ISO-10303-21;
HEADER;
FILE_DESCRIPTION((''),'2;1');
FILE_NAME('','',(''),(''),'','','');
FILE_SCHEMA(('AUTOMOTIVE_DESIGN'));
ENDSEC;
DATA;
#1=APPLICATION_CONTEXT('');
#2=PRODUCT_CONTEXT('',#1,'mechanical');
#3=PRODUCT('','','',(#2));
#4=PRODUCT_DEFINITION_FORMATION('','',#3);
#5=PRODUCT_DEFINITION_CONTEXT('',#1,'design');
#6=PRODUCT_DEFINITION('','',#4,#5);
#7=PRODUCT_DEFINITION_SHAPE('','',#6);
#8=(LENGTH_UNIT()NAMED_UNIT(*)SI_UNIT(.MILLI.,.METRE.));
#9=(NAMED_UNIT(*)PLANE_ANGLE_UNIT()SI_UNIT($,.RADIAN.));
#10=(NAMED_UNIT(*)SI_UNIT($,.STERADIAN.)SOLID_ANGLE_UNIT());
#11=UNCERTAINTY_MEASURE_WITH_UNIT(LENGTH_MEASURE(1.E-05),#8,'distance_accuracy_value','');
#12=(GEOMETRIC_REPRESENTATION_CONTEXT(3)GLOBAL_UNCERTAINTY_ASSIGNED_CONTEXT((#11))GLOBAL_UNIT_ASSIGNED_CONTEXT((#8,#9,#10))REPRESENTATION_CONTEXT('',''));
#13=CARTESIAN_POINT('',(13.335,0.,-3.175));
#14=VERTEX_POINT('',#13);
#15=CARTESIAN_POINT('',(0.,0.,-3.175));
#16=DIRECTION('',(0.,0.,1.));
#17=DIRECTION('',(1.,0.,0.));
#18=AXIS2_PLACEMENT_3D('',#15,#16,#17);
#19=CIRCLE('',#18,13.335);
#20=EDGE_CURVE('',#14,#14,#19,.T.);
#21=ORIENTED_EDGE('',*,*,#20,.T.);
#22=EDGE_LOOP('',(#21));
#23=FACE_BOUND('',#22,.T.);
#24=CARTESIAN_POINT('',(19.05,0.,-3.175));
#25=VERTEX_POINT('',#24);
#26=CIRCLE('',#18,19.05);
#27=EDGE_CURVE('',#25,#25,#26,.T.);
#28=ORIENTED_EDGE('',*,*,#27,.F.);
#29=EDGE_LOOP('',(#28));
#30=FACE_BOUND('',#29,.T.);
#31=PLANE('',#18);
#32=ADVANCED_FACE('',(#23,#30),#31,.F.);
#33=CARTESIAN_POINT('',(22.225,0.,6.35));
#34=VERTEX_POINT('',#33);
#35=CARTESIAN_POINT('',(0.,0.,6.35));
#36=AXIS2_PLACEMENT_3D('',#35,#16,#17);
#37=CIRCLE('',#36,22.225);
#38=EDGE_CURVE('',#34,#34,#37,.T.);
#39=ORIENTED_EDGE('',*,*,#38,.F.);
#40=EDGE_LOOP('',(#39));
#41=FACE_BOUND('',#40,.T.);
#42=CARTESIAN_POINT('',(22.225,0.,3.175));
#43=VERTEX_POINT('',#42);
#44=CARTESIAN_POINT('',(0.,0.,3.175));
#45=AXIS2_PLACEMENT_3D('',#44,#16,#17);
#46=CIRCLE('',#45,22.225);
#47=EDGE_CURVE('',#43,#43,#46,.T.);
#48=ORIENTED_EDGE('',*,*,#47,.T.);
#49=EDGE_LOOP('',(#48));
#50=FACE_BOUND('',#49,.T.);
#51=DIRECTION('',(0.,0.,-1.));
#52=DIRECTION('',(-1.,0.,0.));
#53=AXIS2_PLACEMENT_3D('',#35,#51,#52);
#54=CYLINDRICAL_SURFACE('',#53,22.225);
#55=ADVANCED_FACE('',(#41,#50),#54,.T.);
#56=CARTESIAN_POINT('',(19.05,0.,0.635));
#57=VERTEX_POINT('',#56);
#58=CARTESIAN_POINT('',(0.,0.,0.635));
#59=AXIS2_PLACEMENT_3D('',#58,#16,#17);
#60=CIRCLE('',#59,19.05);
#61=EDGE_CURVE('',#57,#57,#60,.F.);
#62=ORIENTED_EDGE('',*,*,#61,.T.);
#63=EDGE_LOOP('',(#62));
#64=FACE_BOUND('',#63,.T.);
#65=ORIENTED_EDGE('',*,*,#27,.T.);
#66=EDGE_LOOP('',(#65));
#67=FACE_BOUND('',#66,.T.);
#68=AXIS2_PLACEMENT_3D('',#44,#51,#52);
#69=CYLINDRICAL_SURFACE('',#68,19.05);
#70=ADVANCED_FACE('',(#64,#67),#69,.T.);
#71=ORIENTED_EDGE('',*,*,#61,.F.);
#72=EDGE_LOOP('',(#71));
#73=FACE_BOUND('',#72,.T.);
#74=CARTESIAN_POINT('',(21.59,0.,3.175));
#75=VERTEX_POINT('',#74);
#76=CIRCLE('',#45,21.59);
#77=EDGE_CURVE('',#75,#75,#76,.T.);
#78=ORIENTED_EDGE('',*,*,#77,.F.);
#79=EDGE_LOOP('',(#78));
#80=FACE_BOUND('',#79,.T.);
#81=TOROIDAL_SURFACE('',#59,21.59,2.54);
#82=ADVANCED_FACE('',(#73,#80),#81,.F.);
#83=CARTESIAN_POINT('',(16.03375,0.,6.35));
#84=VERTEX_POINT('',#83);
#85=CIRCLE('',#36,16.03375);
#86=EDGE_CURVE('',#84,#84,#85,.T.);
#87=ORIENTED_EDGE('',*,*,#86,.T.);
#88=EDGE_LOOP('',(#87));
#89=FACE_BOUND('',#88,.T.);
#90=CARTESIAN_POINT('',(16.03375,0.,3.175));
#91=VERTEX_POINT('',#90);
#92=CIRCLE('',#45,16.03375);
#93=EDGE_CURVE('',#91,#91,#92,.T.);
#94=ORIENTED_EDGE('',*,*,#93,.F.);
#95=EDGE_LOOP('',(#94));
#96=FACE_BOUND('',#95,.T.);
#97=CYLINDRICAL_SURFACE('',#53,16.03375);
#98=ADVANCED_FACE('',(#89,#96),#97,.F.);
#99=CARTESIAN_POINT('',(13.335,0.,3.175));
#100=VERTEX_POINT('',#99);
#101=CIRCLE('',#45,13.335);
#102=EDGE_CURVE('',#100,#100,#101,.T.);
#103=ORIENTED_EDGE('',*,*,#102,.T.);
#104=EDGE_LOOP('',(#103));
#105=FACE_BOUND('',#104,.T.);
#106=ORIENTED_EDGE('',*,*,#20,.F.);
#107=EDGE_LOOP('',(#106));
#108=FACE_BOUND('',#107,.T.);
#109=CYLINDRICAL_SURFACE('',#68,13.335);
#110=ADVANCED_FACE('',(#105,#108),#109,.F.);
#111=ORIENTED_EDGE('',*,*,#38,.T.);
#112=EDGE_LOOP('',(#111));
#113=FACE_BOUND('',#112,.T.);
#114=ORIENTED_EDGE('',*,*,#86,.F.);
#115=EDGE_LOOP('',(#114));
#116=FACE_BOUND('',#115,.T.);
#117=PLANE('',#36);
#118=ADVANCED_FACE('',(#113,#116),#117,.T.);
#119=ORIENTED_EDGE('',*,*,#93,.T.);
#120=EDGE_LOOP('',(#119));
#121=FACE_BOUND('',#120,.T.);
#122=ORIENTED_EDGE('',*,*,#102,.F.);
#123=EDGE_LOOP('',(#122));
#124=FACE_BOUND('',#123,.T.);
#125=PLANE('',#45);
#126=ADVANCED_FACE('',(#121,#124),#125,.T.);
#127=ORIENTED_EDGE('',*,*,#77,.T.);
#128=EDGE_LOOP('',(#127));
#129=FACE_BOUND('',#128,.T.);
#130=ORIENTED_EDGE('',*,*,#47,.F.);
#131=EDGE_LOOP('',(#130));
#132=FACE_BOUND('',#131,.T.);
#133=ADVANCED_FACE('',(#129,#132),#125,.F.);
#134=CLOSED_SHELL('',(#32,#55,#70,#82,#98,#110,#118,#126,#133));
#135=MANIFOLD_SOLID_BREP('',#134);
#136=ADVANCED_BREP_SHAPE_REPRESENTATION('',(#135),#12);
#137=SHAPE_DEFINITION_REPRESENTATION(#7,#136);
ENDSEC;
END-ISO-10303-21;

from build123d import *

# Parameters (mm, degrees)
SKETCH1_R           = 19.05
SKETCH1_R_2         = 13.335
BOSS_EXTRUDE1_DEPTH = 3.175
SKETCH2_R           = 22.225
SKETCH2_R_2         = 16.03375
BOSS_EXTRUDE2_DEPTH = 3.175
FILLET1_R           = 2.54


with BuildPart() as part:
    # Sketch1 → Boss-Extrude1 (new, symmetric)
    with BuildSketch(Plane.XY):
        Circle(SKETCH1_R)
        Circle(SKETCH1_R_2, mode=Mode.SUBTRACT)
    extrude(amount=BOSS_EXTRUDE1_DEPTH, both=True)

    # Sketch2 → Boss-Extrude2 (add)
    with BuildSketch(Plane.XY.offset(3.175)):
        Circle(SKETCH2_R)
        Circle(SKETCH2_R_2, mode=Mode.SUBTRACT)
    extrude(amount=BOSS_EXTRUDE2_DEPTH)

    # Fillet1
    fillet1_edges = [part.edges().sort_by_distance(p)[0] for p in [
        (-19.05, 0, 3.175),
    ]]
    fillet(fillet1_edges, radius=FILLET1_R)


solid = part.part
